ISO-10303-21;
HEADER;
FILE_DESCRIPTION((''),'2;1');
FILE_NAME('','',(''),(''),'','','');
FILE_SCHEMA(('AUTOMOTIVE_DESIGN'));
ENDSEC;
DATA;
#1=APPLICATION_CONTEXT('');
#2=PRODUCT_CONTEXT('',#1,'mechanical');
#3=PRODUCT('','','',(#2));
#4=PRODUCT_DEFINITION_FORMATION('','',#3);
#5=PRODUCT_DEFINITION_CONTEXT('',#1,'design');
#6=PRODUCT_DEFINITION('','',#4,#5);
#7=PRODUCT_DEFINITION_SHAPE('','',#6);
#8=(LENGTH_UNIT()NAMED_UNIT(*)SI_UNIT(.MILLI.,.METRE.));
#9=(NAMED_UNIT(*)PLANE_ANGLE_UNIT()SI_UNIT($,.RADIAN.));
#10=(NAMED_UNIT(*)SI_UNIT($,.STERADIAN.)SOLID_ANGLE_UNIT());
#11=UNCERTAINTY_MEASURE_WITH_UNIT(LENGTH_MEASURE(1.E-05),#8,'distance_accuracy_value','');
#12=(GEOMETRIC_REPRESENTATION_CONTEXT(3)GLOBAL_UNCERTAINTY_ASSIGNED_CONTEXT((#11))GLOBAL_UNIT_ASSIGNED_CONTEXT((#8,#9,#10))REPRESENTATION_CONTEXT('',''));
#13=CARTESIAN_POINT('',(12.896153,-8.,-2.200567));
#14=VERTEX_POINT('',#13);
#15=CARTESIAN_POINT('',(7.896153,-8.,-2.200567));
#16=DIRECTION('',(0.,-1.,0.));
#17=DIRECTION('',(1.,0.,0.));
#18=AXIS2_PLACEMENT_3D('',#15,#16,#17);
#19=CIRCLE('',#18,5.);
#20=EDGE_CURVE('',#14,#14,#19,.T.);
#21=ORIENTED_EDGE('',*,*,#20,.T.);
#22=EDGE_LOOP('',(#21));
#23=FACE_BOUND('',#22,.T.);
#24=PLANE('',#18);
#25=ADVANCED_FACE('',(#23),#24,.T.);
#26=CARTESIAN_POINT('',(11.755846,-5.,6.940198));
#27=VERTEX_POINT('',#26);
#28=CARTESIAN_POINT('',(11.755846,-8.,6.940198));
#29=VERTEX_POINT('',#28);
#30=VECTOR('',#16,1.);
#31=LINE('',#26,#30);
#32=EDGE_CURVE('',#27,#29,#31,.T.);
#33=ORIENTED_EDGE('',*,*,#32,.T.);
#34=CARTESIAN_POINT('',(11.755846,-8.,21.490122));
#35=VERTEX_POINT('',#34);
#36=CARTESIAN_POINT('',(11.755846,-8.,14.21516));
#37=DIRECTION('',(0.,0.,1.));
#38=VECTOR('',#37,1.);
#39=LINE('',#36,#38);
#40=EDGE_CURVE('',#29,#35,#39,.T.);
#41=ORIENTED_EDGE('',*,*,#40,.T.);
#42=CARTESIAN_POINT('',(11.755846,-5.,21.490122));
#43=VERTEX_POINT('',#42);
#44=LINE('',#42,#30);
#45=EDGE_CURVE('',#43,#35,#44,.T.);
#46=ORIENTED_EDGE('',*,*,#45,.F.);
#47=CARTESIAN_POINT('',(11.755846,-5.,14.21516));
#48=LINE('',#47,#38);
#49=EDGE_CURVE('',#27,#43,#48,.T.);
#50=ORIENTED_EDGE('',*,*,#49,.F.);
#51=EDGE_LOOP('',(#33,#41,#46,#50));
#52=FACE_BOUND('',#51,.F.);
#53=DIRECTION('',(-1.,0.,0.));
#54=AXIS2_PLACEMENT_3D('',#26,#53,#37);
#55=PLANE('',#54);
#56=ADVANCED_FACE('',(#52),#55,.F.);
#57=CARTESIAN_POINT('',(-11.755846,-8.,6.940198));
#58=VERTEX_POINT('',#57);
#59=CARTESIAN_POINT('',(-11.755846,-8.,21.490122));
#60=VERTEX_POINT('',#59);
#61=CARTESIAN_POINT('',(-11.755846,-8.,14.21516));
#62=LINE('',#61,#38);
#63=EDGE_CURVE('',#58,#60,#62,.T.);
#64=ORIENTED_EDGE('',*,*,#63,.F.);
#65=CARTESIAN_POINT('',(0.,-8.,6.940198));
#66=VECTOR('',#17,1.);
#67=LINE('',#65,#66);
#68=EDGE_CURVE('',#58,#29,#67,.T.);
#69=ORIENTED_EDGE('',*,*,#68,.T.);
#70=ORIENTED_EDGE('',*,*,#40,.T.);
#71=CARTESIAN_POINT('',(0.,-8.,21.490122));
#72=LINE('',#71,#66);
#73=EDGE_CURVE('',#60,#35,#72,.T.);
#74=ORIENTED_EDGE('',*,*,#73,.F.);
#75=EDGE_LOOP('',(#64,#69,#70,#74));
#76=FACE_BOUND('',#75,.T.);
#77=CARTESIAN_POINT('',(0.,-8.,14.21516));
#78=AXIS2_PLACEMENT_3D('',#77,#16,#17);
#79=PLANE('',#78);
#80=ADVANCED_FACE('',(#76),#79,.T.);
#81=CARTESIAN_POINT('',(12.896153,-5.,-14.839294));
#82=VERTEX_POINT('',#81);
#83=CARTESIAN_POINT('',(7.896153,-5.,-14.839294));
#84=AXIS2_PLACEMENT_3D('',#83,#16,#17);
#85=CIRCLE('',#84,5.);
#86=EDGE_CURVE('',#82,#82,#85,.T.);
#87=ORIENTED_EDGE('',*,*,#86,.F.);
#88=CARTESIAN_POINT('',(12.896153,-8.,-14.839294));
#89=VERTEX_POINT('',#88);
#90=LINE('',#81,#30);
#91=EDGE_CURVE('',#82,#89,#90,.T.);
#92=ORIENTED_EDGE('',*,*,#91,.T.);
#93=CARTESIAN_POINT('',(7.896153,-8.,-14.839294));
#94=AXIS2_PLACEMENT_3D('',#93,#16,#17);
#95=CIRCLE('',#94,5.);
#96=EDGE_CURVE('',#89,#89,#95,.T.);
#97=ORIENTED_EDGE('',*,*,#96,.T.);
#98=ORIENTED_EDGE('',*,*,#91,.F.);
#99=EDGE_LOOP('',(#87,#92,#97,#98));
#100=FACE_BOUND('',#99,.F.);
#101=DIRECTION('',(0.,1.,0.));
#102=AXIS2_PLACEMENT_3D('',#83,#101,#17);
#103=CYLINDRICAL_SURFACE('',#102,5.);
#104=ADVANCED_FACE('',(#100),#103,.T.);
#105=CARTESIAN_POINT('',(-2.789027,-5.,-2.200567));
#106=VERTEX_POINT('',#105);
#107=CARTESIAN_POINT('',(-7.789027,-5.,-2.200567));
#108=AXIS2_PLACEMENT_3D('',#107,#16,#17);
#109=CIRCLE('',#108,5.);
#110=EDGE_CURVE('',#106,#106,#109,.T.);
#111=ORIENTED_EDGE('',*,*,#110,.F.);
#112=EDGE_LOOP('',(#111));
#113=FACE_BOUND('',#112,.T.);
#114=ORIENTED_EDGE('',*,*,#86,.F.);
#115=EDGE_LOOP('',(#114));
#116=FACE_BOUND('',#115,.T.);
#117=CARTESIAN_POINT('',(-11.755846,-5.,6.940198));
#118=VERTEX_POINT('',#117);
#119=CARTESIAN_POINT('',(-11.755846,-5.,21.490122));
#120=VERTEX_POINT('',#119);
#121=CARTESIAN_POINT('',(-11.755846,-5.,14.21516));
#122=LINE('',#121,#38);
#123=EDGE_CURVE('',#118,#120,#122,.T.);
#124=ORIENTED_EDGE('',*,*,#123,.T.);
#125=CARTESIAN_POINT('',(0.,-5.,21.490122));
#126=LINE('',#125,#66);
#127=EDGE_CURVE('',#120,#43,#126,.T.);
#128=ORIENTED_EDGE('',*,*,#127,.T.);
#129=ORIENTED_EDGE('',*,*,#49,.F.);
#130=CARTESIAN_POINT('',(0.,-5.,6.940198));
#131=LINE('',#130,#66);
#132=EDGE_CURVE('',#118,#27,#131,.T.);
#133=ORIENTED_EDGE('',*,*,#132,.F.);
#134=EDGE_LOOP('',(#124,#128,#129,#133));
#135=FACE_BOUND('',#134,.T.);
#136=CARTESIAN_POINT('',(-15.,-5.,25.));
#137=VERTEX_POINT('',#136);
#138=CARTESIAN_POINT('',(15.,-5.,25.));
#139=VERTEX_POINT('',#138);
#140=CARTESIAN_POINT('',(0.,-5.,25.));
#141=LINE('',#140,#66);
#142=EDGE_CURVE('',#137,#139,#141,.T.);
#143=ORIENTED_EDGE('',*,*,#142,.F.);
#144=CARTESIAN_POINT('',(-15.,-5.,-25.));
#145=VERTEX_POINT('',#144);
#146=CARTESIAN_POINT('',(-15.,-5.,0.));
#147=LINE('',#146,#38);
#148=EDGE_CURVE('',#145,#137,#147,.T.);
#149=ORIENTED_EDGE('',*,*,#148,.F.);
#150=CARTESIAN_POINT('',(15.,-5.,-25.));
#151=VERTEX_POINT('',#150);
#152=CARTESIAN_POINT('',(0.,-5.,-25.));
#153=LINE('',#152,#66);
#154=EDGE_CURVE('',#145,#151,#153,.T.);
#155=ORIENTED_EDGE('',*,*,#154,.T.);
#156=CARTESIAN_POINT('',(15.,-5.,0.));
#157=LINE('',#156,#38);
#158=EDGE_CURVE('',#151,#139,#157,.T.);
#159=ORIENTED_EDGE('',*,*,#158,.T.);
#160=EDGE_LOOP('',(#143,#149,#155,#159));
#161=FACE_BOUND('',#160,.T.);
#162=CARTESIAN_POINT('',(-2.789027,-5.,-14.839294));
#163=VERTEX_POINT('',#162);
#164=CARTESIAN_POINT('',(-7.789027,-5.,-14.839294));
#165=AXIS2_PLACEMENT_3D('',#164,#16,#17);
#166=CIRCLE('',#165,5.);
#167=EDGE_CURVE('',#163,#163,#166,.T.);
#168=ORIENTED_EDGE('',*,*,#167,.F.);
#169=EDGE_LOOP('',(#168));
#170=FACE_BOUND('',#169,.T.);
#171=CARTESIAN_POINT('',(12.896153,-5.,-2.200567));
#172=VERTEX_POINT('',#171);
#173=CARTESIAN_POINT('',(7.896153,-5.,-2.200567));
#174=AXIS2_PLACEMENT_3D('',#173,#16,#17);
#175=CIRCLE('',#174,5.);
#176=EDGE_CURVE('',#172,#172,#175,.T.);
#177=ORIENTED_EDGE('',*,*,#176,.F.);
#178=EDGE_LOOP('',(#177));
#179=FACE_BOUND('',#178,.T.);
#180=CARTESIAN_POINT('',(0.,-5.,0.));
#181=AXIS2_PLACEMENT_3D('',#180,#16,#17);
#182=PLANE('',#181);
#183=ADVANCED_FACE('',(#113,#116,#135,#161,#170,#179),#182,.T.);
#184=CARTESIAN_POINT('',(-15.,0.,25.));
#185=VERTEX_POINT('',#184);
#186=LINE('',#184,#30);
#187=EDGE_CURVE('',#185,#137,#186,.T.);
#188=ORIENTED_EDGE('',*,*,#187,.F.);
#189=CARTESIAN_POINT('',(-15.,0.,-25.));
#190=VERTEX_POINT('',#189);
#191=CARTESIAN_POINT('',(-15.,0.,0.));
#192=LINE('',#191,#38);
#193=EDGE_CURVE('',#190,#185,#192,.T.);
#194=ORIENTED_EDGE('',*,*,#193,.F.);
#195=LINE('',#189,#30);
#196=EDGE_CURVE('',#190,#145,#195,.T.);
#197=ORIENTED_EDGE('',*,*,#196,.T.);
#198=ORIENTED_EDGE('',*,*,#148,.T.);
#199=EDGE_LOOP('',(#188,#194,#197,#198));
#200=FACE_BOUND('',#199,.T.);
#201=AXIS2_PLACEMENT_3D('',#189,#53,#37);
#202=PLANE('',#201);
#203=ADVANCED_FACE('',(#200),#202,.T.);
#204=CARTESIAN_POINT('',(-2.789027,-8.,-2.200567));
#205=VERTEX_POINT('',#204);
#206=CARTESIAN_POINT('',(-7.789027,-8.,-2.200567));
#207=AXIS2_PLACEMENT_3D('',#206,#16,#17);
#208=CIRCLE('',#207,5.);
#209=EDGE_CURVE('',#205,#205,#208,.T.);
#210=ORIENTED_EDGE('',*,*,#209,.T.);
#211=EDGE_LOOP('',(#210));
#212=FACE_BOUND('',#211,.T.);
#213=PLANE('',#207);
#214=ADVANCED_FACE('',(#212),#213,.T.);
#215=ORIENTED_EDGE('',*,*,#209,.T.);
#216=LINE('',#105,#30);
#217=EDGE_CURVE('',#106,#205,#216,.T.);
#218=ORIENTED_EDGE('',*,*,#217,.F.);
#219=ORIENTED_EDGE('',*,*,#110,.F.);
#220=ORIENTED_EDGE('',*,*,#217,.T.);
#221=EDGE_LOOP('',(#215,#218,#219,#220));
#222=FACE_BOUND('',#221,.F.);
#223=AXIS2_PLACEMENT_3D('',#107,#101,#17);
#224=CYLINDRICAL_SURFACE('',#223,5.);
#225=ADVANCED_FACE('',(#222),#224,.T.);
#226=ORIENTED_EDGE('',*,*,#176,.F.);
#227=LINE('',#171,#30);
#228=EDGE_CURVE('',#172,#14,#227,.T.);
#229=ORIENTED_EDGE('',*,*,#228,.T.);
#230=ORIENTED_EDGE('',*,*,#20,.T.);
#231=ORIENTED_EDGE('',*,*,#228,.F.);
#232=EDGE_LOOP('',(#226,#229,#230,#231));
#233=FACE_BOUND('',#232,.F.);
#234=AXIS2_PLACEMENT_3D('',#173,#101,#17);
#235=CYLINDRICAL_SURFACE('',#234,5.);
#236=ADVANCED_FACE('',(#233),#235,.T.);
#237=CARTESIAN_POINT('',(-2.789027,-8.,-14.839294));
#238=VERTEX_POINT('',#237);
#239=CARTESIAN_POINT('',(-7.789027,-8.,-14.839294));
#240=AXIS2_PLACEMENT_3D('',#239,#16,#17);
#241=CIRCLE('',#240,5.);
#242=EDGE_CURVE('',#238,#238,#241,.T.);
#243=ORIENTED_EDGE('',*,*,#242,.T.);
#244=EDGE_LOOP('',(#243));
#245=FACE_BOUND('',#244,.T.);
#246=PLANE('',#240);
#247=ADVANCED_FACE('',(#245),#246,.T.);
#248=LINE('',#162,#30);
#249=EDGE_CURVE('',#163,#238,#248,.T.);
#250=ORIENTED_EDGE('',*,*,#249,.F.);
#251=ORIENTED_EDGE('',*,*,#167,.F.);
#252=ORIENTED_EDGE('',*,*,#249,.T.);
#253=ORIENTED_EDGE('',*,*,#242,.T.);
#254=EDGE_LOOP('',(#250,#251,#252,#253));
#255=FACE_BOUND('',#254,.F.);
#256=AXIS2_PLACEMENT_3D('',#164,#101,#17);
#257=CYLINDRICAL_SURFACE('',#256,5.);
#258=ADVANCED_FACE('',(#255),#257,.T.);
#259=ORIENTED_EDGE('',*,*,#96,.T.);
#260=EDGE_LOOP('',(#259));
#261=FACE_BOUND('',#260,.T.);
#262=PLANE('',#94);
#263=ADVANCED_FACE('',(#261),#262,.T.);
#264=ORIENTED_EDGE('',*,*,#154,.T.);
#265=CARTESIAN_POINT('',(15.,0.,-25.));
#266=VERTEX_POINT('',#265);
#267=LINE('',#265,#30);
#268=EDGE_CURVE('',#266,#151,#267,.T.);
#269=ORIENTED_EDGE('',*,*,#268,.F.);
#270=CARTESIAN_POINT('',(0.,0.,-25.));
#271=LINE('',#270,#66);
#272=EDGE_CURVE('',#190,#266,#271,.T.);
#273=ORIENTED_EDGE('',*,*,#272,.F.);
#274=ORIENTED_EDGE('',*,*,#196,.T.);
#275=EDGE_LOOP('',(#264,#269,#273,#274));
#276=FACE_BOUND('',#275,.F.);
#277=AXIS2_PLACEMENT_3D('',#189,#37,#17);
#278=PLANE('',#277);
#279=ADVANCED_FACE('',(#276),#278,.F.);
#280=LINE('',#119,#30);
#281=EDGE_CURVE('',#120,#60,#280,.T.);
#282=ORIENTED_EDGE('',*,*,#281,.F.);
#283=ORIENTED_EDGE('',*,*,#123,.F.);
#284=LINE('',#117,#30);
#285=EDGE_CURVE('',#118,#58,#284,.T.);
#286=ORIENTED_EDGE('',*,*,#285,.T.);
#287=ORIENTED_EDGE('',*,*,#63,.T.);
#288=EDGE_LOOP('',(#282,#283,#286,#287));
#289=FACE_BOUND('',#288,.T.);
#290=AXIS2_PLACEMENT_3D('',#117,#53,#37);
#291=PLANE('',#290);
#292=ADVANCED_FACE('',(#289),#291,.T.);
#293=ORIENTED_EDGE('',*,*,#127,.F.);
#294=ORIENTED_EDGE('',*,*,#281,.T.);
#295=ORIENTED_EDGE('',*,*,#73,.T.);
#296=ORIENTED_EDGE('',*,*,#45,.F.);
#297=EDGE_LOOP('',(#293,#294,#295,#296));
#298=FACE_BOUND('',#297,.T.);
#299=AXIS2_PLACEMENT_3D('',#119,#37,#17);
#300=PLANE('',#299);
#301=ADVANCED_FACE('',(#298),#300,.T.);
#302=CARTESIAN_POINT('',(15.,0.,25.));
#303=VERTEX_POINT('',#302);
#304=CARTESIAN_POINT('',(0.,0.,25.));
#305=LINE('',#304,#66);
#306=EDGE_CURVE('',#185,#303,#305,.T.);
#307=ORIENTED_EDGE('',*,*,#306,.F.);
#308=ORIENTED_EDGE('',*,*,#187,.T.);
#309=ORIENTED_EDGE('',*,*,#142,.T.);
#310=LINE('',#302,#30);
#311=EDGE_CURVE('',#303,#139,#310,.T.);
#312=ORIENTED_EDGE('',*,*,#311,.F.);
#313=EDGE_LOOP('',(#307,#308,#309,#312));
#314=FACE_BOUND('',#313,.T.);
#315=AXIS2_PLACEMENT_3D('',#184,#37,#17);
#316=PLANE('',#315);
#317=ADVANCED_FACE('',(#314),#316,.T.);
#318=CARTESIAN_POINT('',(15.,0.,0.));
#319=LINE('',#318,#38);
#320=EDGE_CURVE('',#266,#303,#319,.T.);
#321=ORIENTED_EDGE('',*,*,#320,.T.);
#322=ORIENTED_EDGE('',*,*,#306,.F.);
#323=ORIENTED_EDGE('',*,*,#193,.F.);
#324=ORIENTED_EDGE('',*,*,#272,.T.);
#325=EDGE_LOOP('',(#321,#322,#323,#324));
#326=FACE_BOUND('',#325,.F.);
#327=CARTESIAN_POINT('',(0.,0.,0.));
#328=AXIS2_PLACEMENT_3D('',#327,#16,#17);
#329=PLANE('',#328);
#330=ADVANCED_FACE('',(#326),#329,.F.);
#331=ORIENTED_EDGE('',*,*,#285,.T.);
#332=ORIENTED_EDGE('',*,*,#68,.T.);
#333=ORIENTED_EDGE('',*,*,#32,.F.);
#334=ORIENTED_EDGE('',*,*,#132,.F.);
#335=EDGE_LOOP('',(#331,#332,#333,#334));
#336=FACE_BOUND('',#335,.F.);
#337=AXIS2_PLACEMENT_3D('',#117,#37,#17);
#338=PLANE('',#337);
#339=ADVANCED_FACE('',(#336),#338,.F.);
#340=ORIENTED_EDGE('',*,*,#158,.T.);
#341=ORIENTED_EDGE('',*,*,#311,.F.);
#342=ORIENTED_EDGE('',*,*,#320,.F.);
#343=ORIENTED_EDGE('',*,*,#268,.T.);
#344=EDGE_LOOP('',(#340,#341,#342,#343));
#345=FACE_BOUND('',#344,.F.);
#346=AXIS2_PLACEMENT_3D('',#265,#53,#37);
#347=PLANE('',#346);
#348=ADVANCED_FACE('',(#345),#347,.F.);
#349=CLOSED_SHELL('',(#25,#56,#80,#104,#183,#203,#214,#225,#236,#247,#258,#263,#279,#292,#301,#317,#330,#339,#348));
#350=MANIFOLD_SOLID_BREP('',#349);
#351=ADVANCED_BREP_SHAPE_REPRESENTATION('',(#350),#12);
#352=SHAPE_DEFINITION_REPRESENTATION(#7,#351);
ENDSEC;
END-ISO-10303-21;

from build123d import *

# Parameters (mm, degrees)
F0_W     = 30
F0_H     = 50
F1_DEPTH = 5
F2_W     = 23.511692
F2_H     = 14.549925
F2_R     = 5
F3_DEPTH = 3


with BuildPart() as f1:
    # F0 (on Front) → F1 (new body)
    with BuildSketch(Plane.XZ):
        Rectangle(F0_W, F0_H)
    extrude(amount=F1_DEPTH)

    # F2 (on face) → F3 (join)
    with BuildSketch(Plane.XZ.offset(5)):
        with Locations((0, 14.21516)):
            Rectangle(F2_W, F2_H)
        with Locations((-7.789027, -2.200567)):
            Circle(F2_R)
        with Locations((7.896153, -2.200567)):
            Circle(F2_R)
        with Locations((-7.789027, -14.839294)):
            Circle(F2_R)
        with Locations((7.896153, -14.839294)):
            Circle(F2_R)
    extrude(amount=F3_DEPTH)


solid = f1.part
